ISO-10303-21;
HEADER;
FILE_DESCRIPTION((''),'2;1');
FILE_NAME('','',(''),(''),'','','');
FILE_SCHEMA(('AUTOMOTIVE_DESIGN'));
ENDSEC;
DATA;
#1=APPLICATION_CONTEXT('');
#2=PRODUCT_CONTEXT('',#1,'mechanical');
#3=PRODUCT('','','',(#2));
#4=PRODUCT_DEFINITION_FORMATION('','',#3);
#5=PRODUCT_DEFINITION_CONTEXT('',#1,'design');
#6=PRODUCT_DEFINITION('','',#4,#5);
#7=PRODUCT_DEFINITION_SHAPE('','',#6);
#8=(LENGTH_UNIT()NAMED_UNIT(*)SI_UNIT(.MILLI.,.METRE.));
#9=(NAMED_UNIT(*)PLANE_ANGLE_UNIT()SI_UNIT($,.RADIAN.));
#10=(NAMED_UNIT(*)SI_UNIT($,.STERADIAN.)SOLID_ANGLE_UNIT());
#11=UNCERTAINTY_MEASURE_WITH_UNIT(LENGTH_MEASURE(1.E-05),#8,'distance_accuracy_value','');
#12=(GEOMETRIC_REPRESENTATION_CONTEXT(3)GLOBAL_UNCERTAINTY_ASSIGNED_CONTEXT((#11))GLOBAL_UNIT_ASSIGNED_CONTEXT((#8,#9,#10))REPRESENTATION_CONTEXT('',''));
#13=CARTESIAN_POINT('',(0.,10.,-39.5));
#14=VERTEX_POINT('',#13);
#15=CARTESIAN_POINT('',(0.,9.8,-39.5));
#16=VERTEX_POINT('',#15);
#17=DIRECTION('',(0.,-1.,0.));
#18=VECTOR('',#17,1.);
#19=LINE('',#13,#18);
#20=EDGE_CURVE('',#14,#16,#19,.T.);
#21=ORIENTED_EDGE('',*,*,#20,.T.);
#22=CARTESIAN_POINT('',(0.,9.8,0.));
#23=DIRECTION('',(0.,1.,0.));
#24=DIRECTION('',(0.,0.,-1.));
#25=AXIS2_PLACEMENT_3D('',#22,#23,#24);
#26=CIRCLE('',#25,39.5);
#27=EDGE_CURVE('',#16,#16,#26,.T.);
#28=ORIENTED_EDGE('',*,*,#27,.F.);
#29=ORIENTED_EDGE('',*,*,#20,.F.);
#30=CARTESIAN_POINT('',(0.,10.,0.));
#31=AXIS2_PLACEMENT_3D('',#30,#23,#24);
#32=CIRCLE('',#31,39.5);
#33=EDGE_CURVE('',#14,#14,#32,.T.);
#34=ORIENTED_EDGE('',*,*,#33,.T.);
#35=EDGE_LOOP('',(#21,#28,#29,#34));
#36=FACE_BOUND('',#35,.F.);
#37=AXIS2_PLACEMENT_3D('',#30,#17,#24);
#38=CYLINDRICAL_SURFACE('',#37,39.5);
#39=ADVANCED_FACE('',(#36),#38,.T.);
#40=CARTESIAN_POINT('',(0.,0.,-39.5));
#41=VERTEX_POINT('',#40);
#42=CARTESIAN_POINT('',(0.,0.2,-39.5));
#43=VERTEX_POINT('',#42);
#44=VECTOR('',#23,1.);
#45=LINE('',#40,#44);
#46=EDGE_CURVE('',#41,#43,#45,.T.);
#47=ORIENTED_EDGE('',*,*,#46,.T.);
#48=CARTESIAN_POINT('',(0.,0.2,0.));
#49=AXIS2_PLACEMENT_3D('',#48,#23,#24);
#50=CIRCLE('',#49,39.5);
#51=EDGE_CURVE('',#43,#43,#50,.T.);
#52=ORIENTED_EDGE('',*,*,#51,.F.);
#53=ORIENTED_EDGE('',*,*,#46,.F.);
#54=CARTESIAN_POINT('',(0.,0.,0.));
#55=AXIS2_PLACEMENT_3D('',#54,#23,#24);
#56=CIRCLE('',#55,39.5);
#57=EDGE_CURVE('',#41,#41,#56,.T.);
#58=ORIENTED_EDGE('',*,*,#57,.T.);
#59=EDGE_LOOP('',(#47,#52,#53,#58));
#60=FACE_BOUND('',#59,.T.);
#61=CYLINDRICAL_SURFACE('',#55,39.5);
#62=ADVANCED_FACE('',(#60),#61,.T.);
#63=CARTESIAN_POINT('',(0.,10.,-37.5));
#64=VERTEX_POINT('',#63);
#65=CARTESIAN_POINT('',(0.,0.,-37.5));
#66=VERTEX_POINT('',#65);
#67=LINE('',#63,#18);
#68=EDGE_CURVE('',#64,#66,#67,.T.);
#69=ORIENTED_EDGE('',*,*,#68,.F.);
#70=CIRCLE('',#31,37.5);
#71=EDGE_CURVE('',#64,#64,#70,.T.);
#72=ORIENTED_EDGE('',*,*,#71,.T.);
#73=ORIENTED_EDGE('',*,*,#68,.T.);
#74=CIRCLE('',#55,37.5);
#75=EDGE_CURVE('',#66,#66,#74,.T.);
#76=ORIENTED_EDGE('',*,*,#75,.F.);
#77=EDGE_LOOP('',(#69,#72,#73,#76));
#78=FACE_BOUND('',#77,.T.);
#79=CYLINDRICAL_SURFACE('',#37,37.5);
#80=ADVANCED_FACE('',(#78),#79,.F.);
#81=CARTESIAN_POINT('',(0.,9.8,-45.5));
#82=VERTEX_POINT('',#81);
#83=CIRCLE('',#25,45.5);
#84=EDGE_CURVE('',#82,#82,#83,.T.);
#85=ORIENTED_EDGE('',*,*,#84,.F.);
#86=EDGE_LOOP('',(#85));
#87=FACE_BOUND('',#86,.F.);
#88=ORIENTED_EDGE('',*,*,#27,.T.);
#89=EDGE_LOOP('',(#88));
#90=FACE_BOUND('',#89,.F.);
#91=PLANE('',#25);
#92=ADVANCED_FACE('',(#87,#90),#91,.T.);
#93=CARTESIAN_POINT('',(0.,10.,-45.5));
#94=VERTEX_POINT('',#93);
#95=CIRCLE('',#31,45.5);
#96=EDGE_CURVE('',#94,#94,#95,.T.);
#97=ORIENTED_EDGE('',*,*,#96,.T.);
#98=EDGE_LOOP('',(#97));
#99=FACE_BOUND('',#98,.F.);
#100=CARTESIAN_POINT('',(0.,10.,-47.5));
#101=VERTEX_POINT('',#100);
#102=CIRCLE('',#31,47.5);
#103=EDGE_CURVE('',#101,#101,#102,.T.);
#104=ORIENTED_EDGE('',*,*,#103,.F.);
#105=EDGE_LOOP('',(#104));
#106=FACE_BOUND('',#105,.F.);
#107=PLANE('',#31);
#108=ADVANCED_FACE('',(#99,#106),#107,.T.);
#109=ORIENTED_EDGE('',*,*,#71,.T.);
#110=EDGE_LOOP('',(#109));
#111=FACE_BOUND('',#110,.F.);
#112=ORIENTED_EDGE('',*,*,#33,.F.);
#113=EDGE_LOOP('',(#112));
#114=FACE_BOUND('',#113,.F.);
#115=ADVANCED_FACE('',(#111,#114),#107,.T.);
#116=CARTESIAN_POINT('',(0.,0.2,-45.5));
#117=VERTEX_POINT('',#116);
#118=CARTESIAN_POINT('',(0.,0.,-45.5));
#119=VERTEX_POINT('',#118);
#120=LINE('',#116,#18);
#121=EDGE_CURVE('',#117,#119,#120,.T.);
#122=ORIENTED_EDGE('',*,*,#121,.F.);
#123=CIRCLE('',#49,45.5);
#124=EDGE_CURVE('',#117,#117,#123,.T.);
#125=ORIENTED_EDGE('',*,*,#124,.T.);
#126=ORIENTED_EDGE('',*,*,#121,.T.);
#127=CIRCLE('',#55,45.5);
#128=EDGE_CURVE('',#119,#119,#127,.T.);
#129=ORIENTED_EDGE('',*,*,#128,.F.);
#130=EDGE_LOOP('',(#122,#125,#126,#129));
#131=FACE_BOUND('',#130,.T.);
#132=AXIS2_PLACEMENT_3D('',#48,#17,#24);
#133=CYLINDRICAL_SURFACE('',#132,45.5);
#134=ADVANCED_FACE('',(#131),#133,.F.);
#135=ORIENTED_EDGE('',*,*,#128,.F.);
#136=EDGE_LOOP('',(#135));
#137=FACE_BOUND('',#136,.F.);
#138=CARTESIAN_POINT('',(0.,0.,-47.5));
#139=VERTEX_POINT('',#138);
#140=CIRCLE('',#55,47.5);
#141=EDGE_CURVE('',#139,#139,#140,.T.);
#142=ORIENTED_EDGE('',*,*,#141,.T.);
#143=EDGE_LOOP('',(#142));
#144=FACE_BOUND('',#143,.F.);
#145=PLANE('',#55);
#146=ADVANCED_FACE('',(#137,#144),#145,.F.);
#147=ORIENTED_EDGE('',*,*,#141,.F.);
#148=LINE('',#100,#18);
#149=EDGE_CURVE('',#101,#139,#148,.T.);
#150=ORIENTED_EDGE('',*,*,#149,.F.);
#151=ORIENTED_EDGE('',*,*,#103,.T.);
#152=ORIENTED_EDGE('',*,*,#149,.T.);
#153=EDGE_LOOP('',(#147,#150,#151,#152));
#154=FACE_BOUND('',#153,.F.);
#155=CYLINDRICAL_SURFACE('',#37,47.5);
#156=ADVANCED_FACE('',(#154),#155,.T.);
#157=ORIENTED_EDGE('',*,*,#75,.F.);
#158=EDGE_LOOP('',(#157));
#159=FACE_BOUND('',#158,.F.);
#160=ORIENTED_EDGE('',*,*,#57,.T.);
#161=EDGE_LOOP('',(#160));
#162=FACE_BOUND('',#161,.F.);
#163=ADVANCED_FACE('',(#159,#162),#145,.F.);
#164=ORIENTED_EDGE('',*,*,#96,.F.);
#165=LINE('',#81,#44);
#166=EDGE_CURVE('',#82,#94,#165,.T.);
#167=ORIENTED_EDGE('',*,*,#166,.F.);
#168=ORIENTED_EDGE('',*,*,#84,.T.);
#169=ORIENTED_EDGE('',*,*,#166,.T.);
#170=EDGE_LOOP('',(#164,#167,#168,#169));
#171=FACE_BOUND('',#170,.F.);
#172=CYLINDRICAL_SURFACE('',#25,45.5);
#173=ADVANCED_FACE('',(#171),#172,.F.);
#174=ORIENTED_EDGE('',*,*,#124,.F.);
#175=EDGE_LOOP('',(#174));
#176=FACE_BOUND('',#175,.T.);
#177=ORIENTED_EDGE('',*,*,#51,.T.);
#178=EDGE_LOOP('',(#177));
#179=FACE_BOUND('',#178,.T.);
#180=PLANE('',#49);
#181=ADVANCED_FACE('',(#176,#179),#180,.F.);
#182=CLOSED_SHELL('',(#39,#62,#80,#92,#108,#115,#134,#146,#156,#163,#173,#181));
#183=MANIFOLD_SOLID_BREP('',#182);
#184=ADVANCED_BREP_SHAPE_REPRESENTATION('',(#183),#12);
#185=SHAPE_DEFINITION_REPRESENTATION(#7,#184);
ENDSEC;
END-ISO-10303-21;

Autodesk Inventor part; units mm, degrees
ref_plane "YZ Plane" through (0, 0, 0) normal (1, 0, 0) x (0, 1, 0)
ref_plane "XZ Plane" through (0, 0, 0) normal (0, 1, 0) x (-1, 0, 0)
ref_plane "XY Plane" through (0, 0, 0) normal (0, 0, 1) x (1, 0, 0)
sketch "Sketch1" plane through (0, 0, 0) normal (1, 0, 0) x (0, 1, 0)
  line L0 (0, 0) -> (10, 0) construction
  line L1 (10, 0) -> (10, -37.5) construction
  line L2 (10, -37.5) -> (0, -37.5)
  line L3 (0, -37.5) -> (0, 0) construction
  line L4 (10, -47.5) -> (0, -47.5)
  line L5 (10, -39.5) -> (9.8, -39.5)
  line L6 (9.8, -39.5) -> (9.8, -45.5)
  line L7 (9.8, -45.5) -> (10, -45.5)
  line L8 (0, -39.5) -> (0.2, -39.5)
  line L9 (0.2, -39.5) -> (0.2, -45.5)
  line L10 (0.2, -45.5) -> (0, -45.5)
  line L11 (10, -37.5) -> (10, -39.5)
  line L12 (10, -45.5) -> (10, -47.5)
  line L13 (0, -47.5) -> (0, -45.5)
  line L14 (0, -39.5) -> (0, -37.5)
  dimension "d0" = 37.5
  dimension "d2" = 10
  dimension "d5" = 47.5
  dimension "d6" = 0.2
  dimension "d7" = 2
revolve "Revolution1" add sketch "Sketch1" angle 360 about axis through (0, 0, 0) along (0, 1, 0)
properties part number "6820 bearing"
